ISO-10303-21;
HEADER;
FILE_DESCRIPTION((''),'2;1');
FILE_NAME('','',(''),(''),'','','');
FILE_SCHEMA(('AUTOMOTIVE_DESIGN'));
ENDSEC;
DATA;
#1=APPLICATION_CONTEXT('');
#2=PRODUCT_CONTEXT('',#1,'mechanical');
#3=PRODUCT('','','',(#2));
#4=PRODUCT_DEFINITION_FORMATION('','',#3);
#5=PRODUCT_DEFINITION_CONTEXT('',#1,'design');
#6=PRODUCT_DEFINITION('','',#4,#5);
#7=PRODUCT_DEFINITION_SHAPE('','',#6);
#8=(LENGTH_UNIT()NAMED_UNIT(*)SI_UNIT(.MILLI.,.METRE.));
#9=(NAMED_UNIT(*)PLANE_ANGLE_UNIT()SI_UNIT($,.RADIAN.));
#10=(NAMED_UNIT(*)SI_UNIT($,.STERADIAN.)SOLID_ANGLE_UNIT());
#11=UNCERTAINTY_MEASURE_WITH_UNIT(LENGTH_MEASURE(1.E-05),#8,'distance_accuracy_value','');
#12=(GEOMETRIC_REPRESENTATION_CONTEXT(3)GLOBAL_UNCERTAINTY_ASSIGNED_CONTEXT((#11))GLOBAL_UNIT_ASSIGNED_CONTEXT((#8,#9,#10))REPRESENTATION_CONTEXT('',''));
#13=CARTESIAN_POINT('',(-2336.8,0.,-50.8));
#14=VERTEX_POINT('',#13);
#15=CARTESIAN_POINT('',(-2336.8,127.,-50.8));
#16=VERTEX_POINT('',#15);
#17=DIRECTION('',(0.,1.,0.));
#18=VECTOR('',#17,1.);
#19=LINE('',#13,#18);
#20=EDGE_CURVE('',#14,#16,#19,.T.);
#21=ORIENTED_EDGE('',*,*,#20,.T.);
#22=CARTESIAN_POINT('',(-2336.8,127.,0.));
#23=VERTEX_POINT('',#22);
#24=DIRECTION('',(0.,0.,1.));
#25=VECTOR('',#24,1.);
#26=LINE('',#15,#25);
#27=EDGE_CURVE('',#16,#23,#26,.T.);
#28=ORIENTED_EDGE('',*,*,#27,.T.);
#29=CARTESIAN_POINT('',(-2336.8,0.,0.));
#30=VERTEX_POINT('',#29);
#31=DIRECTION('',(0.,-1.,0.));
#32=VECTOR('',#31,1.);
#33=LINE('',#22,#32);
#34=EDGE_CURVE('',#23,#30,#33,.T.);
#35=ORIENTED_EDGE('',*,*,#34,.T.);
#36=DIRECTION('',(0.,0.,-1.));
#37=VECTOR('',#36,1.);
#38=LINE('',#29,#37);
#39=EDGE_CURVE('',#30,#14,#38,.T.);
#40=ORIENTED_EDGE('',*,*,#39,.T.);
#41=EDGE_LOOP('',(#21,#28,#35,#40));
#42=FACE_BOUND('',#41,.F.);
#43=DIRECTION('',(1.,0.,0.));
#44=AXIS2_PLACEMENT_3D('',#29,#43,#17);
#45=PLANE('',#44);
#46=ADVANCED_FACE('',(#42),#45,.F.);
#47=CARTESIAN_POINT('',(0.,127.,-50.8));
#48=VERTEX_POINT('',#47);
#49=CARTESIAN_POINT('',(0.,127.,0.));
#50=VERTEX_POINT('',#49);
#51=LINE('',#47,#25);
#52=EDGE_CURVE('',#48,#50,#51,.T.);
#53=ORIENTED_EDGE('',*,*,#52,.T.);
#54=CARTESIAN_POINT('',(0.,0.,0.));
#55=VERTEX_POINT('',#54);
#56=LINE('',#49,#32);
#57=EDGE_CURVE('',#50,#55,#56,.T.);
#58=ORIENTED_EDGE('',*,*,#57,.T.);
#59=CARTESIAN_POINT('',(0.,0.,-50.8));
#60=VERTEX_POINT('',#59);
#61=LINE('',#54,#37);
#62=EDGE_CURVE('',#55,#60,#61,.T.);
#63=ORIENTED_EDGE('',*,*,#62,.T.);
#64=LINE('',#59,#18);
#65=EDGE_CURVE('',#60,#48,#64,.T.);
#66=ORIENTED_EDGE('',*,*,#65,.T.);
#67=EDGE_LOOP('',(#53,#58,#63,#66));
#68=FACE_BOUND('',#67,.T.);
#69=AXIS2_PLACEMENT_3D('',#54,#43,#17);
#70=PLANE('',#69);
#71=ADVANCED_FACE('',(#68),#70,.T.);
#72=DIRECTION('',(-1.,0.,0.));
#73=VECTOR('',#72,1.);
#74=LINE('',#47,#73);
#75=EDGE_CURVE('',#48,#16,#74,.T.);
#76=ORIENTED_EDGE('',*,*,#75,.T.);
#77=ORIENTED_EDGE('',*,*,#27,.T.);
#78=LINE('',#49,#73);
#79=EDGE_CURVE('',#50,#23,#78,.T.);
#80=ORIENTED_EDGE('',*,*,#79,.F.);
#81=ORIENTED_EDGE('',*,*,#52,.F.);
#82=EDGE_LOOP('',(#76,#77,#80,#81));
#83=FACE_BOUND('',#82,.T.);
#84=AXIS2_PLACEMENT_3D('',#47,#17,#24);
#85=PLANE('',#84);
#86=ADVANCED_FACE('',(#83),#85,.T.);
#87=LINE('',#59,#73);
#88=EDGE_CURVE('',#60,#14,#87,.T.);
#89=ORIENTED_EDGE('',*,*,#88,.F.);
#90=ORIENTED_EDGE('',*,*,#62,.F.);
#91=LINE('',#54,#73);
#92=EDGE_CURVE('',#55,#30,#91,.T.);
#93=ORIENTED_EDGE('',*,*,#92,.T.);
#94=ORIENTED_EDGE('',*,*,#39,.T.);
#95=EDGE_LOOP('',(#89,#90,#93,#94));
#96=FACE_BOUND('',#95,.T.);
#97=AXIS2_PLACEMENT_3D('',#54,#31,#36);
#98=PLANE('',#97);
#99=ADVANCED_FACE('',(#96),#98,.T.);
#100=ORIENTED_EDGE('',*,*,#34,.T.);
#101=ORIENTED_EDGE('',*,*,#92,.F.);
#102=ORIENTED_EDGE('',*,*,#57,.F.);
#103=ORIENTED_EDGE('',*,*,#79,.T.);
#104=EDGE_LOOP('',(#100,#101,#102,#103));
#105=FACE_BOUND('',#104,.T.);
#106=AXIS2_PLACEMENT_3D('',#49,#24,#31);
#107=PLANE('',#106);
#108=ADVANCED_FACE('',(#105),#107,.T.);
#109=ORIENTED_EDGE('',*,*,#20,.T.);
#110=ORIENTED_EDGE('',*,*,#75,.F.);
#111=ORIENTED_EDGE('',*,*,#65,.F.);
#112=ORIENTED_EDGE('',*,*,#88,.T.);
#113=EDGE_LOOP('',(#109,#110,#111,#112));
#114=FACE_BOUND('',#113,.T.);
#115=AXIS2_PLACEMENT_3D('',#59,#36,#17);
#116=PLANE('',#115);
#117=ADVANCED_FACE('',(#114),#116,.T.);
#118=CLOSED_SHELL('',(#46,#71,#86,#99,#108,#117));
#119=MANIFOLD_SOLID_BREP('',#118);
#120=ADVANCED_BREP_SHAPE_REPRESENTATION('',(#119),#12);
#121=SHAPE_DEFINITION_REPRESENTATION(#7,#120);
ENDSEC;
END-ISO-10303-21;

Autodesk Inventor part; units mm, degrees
ref_plane "YZ Plane" through (0, 0, 0) normal (1, 0, 0) x (0, 1, 0)
ref_plane "XZ Plane" through (0, 0, 0) normal (0, 1, 0) x (-1, 0, 0)
sketch "Sketch1" plane through (0, 0, 0) normal (1, 0, 0) x (0, 1, 0)
  line L0 (127, 0) -> (0, 0)
  line L1 (0, 0) -> (0, -50.8)
  line L2 (0, -50.8) -> (127, -50.8)
  line L3 (127, -50.8) -> (127, 0)
  dimension "d0" = 50.8
  dimension "d1" = 127
extrude "Extrusion1" add sketch "Sketch1" against normal blind 2336.8
ref_plane "Work Plane1" through (-1168.4, 0, 0) normal (1, 0, 0) x (0, 0, -1)
properties part number "Beam--Front_and_Back"
